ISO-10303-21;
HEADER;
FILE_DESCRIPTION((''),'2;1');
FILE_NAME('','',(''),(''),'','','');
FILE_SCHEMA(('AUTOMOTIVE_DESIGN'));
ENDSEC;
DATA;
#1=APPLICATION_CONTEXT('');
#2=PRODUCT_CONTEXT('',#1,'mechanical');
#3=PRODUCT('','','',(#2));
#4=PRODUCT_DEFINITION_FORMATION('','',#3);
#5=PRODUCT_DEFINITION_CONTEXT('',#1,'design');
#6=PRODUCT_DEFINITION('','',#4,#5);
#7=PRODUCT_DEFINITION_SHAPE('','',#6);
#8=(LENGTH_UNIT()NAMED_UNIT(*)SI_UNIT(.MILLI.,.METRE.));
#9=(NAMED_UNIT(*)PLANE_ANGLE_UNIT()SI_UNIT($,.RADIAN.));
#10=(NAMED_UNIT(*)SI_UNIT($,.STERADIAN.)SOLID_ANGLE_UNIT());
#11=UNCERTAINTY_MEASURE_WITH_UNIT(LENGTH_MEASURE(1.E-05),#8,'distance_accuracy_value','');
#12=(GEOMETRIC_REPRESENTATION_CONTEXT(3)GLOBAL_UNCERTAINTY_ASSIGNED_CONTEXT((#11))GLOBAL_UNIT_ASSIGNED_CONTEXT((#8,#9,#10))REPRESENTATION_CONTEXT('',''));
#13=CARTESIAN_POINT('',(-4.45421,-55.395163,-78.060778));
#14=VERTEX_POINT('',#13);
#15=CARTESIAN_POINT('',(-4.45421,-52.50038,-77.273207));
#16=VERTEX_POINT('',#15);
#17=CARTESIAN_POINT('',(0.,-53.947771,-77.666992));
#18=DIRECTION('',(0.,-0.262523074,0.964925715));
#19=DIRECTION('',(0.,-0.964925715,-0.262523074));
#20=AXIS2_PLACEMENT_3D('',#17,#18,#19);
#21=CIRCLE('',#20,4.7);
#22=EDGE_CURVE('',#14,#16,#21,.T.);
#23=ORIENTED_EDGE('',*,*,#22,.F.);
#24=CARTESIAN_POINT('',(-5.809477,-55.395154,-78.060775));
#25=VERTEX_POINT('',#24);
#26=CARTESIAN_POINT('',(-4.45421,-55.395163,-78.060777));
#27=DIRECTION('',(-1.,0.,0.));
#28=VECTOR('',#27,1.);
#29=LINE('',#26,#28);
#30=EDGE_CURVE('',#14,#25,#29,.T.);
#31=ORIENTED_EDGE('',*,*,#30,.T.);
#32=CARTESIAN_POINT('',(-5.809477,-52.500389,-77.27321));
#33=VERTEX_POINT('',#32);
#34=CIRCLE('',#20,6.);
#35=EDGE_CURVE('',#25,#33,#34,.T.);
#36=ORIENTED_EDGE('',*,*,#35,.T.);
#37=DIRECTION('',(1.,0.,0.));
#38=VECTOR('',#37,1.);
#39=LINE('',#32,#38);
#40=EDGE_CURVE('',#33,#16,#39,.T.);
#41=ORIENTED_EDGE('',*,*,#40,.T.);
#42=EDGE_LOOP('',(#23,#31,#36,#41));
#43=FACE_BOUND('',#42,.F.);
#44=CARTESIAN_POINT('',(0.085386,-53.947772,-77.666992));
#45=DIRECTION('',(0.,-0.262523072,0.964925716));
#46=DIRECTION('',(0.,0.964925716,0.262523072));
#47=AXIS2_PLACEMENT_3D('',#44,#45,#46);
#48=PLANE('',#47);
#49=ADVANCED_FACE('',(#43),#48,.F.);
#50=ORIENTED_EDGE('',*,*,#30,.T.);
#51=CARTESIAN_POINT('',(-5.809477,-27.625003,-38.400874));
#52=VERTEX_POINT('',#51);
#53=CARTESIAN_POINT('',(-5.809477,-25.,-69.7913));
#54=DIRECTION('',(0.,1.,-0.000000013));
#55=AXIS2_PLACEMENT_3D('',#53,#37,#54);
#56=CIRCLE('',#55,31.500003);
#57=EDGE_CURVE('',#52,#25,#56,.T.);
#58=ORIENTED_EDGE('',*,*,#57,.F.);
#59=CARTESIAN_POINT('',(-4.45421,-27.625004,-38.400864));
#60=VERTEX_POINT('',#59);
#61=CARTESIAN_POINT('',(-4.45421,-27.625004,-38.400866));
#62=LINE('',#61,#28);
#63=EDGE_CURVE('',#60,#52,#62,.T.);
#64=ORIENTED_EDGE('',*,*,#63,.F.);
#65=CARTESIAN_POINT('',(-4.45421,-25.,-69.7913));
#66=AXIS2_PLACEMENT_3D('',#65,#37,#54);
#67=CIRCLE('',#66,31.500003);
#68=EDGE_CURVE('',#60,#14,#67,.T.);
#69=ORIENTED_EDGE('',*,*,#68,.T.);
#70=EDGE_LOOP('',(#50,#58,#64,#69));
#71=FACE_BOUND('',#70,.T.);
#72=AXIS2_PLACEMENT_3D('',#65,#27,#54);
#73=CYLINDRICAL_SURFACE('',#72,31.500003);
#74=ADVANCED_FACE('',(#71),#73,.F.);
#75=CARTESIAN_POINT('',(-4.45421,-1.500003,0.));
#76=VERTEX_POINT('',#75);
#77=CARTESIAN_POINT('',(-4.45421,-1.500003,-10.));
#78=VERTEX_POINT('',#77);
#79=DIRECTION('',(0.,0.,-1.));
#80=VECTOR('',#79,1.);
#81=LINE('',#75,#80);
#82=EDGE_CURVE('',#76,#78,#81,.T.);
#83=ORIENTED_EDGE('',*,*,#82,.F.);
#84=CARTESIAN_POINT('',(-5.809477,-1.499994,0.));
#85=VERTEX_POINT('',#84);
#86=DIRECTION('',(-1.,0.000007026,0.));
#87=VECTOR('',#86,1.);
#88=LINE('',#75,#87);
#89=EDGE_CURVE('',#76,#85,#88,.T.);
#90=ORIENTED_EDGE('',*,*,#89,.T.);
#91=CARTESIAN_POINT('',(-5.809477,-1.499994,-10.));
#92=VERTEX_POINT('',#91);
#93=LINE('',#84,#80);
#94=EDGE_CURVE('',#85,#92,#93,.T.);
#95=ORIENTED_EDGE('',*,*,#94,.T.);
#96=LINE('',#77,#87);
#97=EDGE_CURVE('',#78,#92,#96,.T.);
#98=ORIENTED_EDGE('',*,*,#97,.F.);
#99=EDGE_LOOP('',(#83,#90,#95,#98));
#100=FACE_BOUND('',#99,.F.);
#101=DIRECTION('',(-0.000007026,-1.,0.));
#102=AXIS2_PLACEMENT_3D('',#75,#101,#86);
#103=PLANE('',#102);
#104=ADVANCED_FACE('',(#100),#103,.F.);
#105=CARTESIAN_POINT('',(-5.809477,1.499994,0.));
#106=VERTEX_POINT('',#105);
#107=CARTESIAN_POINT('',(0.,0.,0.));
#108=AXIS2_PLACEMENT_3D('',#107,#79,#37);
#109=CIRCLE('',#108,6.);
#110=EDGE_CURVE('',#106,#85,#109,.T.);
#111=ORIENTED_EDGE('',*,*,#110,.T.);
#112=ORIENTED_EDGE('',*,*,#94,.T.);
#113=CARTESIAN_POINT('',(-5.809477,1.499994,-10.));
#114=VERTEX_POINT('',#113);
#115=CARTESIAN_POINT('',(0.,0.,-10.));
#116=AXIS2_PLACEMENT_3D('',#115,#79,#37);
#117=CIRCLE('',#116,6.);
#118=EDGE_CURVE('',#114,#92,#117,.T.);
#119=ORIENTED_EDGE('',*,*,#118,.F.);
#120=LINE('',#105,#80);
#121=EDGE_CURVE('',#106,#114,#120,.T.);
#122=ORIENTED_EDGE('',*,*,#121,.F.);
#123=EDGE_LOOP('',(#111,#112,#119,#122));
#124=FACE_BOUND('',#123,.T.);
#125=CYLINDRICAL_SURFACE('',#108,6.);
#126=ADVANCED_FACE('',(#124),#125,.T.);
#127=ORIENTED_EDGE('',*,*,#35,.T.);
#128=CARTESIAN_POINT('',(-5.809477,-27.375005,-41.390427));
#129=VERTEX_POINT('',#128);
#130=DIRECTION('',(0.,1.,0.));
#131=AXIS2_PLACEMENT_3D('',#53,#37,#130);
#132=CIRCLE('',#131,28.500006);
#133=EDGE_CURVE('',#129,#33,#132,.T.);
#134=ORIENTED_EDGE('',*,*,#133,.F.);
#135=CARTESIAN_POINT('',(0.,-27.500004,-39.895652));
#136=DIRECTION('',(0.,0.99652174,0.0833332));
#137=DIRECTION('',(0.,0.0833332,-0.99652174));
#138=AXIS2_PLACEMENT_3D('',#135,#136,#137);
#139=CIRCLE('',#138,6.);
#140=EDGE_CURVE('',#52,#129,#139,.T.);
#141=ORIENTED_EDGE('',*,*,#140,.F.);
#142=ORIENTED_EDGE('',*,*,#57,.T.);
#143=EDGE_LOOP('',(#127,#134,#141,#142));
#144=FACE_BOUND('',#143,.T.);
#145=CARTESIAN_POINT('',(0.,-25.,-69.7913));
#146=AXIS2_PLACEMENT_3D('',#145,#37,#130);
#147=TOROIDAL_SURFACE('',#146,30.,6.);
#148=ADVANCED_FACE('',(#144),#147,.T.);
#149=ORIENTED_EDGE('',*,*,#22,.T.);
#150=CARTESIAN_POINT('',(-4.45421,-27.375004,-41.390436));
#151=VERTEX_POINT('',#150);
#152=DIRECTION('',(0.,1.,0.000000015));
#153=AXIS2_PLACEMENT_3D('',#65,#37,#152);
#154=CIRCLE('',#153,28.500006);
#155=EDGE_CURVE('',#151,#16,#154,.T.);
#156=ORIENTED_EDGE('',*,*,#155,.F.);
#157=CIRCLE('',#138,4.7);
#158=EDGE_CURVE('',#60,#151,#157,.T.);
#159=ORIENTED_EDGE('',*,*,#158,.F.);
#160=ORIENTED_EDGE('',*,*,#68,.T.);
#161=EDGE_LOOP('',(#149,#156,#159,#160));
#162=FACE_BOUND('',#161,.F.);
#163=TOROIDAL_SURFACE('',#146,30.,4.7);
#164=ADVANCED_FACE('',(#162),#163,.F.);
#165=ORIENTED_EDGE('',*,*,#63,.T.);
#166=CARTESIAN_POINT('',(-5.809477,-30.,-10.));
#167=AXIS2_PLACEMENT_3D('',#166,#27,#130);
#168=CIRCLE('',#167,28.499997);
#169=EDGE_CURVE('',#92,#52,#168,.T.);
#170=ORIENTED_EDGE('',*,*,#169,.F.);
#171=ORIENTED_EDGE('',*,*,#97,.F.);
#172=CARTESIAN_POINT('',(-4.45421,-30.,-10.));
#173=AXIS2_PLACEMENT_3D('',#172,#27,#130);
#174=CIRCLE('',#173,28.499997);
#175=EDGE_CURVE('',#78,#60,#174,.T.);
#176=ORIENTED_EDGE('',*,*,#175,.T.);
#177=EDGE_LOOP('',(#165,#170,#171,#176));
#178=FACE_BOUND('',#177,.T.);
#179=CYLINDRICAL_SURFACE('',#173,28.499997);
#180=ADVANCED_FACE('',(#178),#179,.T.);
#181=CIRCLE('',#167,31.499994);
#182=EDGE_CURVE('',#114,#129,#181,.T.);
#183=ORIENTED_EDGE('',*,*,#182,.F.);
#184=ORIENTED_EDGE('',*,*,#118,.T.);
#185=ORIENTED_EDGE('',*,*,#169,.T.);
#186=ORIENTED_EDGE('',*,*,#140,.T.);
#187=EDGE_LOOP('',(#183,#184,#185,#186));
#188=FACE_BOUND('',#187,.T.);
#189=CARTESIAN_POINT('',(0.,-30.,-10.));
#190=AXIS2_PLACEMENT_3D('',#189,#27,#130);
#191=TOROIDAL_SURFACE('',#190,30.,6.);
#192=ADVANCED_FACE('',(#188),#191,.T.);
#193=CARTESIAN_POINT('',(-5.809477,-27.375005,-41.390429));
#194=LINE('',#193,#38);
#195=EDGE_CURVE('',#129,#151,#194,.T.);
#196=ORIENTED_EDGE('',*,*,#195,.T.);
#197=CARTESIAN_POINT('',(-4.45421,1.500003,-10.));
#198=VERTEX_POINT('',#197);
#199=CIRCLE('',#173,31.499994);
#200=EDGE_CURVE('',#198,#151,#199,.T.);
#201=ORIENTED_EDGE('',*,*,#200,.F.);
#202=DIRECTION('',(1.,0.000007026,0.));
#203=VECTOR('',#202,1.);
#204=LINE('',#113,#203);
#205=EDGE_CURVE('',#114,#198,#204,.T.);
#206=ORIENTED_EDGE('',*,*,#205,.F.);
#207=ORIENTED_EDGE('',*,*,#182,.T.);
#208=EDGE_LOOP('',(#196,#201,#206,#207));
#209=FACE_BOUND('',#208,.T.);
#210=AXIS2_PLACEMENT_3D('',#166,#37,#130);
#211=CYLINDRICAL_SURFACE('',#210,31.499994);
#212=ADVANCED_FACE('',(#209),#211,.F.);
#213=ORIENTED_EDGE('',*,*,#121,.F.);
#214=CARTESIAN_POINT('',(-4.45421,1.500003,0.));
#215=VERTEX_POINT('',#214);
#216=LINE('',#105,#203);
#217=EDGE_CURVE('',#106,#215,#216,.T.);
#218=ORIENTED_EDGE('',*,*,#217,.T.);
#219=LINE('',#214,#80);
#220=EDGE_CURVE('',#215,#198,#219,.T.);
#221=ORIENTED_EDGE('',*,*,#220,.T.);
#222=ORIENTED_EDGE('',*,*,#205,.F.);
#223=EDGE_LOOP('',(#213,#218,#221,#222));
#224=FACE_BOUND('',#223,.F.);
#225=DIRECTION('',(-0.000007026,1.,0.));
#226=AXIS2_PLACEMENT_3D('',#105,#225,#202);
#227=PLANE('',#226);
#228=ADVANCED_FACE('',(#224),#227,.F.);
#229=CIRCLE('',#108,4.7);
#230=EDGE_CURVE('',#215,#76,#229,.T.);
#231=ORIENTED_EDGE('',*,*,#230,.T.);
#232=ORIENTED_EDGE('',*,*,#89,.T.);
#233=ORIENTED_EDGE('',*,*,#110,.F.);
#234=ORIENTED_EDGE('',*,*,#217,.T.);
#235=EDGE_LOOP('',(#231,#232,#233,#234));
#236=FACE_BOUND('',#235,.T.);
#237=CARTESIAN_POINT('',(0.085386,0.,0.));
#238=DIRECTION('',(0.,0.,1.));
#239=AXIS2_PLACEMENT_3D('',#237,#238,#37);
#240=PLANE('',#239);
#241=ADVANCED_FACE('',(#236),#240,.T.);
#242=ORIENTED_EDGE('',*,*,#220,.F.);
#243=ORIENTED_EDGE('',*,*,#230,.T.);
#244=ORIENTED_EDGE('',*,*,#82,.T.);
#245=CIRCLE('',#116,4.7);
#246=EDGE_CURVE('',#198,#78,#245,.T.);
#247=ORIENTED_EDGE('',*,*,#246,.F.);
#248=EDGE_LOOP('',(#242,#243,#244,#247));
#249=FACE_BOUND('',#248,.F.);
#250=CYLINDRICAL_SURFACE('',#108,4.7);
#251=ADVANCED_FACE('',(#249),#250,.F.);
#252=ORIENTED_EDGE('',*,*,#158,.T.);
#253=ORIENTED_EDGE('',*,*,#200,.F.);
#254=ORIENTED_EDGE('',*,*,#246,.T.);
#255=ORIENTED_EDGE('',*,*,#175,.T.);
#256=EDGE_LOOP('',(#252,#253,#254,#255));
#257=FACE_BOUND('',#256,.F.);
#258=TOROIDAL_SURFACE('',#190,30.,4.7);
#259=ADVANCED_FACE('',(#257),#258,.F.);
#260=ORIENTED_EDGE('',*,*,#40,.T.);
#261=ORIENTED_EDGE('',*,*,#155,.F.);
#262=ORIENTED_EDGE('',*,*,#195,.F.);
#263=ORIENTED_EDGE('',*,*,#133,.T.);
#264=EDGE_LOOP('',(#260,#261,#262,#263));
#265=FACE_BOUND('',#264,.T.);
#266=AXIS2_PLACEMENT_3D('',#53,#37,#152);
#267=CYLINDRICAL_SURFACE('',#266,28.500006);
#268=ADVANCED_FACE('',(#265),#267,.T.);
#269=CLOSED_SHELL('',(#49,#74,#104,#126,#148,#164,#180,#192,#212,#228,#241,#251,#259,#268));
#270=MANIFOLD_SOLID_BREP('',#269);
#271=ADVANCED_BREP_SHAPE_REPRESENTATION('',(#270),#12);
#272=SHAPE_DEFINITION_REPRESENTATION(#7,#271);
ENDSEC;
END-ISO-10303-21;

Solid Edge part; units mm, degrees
sketch "Sketch1" plane through (0, 0, 0) normal (1, 0, 0) x (0, 1, 0)
  arc A0 (-27.5, -39.8957) -> (-53.9478, -77.667) centre (-25, -69.7913) ccw
  arc A1 (0, -10) -> (-27.5, -39.8957) centre (-30, -10) cw
  line L0 (0, 0) -> (0, -10)
  dimension "D1" = 10
  dimension "D2" = 30
  dimension "D3" = 30
  dimension "D4" = 30
  dimension "D5" = 25
sketch "Sketch2" plane through (0, -100, 0) normal (0, 0, 1) x (1, 0, 0)
  line L0 (-4.4542, 98.5) -> (-5.8095, 98.5)
  line L1 (-5.8095, 101.5) -> (-4.4542, 101.5)
  arc A0 (-5.8095, 101.5) -> (-5.8095, 98.5) centre (0, 100) cw
  arc A1 (-4.4542, 101.5) -> (-4.4542, 98.5) centre (0, 100) cw
sweep "Geführte_Ausprägung_3" add profiles "Sketch2" path "Sketch1"
